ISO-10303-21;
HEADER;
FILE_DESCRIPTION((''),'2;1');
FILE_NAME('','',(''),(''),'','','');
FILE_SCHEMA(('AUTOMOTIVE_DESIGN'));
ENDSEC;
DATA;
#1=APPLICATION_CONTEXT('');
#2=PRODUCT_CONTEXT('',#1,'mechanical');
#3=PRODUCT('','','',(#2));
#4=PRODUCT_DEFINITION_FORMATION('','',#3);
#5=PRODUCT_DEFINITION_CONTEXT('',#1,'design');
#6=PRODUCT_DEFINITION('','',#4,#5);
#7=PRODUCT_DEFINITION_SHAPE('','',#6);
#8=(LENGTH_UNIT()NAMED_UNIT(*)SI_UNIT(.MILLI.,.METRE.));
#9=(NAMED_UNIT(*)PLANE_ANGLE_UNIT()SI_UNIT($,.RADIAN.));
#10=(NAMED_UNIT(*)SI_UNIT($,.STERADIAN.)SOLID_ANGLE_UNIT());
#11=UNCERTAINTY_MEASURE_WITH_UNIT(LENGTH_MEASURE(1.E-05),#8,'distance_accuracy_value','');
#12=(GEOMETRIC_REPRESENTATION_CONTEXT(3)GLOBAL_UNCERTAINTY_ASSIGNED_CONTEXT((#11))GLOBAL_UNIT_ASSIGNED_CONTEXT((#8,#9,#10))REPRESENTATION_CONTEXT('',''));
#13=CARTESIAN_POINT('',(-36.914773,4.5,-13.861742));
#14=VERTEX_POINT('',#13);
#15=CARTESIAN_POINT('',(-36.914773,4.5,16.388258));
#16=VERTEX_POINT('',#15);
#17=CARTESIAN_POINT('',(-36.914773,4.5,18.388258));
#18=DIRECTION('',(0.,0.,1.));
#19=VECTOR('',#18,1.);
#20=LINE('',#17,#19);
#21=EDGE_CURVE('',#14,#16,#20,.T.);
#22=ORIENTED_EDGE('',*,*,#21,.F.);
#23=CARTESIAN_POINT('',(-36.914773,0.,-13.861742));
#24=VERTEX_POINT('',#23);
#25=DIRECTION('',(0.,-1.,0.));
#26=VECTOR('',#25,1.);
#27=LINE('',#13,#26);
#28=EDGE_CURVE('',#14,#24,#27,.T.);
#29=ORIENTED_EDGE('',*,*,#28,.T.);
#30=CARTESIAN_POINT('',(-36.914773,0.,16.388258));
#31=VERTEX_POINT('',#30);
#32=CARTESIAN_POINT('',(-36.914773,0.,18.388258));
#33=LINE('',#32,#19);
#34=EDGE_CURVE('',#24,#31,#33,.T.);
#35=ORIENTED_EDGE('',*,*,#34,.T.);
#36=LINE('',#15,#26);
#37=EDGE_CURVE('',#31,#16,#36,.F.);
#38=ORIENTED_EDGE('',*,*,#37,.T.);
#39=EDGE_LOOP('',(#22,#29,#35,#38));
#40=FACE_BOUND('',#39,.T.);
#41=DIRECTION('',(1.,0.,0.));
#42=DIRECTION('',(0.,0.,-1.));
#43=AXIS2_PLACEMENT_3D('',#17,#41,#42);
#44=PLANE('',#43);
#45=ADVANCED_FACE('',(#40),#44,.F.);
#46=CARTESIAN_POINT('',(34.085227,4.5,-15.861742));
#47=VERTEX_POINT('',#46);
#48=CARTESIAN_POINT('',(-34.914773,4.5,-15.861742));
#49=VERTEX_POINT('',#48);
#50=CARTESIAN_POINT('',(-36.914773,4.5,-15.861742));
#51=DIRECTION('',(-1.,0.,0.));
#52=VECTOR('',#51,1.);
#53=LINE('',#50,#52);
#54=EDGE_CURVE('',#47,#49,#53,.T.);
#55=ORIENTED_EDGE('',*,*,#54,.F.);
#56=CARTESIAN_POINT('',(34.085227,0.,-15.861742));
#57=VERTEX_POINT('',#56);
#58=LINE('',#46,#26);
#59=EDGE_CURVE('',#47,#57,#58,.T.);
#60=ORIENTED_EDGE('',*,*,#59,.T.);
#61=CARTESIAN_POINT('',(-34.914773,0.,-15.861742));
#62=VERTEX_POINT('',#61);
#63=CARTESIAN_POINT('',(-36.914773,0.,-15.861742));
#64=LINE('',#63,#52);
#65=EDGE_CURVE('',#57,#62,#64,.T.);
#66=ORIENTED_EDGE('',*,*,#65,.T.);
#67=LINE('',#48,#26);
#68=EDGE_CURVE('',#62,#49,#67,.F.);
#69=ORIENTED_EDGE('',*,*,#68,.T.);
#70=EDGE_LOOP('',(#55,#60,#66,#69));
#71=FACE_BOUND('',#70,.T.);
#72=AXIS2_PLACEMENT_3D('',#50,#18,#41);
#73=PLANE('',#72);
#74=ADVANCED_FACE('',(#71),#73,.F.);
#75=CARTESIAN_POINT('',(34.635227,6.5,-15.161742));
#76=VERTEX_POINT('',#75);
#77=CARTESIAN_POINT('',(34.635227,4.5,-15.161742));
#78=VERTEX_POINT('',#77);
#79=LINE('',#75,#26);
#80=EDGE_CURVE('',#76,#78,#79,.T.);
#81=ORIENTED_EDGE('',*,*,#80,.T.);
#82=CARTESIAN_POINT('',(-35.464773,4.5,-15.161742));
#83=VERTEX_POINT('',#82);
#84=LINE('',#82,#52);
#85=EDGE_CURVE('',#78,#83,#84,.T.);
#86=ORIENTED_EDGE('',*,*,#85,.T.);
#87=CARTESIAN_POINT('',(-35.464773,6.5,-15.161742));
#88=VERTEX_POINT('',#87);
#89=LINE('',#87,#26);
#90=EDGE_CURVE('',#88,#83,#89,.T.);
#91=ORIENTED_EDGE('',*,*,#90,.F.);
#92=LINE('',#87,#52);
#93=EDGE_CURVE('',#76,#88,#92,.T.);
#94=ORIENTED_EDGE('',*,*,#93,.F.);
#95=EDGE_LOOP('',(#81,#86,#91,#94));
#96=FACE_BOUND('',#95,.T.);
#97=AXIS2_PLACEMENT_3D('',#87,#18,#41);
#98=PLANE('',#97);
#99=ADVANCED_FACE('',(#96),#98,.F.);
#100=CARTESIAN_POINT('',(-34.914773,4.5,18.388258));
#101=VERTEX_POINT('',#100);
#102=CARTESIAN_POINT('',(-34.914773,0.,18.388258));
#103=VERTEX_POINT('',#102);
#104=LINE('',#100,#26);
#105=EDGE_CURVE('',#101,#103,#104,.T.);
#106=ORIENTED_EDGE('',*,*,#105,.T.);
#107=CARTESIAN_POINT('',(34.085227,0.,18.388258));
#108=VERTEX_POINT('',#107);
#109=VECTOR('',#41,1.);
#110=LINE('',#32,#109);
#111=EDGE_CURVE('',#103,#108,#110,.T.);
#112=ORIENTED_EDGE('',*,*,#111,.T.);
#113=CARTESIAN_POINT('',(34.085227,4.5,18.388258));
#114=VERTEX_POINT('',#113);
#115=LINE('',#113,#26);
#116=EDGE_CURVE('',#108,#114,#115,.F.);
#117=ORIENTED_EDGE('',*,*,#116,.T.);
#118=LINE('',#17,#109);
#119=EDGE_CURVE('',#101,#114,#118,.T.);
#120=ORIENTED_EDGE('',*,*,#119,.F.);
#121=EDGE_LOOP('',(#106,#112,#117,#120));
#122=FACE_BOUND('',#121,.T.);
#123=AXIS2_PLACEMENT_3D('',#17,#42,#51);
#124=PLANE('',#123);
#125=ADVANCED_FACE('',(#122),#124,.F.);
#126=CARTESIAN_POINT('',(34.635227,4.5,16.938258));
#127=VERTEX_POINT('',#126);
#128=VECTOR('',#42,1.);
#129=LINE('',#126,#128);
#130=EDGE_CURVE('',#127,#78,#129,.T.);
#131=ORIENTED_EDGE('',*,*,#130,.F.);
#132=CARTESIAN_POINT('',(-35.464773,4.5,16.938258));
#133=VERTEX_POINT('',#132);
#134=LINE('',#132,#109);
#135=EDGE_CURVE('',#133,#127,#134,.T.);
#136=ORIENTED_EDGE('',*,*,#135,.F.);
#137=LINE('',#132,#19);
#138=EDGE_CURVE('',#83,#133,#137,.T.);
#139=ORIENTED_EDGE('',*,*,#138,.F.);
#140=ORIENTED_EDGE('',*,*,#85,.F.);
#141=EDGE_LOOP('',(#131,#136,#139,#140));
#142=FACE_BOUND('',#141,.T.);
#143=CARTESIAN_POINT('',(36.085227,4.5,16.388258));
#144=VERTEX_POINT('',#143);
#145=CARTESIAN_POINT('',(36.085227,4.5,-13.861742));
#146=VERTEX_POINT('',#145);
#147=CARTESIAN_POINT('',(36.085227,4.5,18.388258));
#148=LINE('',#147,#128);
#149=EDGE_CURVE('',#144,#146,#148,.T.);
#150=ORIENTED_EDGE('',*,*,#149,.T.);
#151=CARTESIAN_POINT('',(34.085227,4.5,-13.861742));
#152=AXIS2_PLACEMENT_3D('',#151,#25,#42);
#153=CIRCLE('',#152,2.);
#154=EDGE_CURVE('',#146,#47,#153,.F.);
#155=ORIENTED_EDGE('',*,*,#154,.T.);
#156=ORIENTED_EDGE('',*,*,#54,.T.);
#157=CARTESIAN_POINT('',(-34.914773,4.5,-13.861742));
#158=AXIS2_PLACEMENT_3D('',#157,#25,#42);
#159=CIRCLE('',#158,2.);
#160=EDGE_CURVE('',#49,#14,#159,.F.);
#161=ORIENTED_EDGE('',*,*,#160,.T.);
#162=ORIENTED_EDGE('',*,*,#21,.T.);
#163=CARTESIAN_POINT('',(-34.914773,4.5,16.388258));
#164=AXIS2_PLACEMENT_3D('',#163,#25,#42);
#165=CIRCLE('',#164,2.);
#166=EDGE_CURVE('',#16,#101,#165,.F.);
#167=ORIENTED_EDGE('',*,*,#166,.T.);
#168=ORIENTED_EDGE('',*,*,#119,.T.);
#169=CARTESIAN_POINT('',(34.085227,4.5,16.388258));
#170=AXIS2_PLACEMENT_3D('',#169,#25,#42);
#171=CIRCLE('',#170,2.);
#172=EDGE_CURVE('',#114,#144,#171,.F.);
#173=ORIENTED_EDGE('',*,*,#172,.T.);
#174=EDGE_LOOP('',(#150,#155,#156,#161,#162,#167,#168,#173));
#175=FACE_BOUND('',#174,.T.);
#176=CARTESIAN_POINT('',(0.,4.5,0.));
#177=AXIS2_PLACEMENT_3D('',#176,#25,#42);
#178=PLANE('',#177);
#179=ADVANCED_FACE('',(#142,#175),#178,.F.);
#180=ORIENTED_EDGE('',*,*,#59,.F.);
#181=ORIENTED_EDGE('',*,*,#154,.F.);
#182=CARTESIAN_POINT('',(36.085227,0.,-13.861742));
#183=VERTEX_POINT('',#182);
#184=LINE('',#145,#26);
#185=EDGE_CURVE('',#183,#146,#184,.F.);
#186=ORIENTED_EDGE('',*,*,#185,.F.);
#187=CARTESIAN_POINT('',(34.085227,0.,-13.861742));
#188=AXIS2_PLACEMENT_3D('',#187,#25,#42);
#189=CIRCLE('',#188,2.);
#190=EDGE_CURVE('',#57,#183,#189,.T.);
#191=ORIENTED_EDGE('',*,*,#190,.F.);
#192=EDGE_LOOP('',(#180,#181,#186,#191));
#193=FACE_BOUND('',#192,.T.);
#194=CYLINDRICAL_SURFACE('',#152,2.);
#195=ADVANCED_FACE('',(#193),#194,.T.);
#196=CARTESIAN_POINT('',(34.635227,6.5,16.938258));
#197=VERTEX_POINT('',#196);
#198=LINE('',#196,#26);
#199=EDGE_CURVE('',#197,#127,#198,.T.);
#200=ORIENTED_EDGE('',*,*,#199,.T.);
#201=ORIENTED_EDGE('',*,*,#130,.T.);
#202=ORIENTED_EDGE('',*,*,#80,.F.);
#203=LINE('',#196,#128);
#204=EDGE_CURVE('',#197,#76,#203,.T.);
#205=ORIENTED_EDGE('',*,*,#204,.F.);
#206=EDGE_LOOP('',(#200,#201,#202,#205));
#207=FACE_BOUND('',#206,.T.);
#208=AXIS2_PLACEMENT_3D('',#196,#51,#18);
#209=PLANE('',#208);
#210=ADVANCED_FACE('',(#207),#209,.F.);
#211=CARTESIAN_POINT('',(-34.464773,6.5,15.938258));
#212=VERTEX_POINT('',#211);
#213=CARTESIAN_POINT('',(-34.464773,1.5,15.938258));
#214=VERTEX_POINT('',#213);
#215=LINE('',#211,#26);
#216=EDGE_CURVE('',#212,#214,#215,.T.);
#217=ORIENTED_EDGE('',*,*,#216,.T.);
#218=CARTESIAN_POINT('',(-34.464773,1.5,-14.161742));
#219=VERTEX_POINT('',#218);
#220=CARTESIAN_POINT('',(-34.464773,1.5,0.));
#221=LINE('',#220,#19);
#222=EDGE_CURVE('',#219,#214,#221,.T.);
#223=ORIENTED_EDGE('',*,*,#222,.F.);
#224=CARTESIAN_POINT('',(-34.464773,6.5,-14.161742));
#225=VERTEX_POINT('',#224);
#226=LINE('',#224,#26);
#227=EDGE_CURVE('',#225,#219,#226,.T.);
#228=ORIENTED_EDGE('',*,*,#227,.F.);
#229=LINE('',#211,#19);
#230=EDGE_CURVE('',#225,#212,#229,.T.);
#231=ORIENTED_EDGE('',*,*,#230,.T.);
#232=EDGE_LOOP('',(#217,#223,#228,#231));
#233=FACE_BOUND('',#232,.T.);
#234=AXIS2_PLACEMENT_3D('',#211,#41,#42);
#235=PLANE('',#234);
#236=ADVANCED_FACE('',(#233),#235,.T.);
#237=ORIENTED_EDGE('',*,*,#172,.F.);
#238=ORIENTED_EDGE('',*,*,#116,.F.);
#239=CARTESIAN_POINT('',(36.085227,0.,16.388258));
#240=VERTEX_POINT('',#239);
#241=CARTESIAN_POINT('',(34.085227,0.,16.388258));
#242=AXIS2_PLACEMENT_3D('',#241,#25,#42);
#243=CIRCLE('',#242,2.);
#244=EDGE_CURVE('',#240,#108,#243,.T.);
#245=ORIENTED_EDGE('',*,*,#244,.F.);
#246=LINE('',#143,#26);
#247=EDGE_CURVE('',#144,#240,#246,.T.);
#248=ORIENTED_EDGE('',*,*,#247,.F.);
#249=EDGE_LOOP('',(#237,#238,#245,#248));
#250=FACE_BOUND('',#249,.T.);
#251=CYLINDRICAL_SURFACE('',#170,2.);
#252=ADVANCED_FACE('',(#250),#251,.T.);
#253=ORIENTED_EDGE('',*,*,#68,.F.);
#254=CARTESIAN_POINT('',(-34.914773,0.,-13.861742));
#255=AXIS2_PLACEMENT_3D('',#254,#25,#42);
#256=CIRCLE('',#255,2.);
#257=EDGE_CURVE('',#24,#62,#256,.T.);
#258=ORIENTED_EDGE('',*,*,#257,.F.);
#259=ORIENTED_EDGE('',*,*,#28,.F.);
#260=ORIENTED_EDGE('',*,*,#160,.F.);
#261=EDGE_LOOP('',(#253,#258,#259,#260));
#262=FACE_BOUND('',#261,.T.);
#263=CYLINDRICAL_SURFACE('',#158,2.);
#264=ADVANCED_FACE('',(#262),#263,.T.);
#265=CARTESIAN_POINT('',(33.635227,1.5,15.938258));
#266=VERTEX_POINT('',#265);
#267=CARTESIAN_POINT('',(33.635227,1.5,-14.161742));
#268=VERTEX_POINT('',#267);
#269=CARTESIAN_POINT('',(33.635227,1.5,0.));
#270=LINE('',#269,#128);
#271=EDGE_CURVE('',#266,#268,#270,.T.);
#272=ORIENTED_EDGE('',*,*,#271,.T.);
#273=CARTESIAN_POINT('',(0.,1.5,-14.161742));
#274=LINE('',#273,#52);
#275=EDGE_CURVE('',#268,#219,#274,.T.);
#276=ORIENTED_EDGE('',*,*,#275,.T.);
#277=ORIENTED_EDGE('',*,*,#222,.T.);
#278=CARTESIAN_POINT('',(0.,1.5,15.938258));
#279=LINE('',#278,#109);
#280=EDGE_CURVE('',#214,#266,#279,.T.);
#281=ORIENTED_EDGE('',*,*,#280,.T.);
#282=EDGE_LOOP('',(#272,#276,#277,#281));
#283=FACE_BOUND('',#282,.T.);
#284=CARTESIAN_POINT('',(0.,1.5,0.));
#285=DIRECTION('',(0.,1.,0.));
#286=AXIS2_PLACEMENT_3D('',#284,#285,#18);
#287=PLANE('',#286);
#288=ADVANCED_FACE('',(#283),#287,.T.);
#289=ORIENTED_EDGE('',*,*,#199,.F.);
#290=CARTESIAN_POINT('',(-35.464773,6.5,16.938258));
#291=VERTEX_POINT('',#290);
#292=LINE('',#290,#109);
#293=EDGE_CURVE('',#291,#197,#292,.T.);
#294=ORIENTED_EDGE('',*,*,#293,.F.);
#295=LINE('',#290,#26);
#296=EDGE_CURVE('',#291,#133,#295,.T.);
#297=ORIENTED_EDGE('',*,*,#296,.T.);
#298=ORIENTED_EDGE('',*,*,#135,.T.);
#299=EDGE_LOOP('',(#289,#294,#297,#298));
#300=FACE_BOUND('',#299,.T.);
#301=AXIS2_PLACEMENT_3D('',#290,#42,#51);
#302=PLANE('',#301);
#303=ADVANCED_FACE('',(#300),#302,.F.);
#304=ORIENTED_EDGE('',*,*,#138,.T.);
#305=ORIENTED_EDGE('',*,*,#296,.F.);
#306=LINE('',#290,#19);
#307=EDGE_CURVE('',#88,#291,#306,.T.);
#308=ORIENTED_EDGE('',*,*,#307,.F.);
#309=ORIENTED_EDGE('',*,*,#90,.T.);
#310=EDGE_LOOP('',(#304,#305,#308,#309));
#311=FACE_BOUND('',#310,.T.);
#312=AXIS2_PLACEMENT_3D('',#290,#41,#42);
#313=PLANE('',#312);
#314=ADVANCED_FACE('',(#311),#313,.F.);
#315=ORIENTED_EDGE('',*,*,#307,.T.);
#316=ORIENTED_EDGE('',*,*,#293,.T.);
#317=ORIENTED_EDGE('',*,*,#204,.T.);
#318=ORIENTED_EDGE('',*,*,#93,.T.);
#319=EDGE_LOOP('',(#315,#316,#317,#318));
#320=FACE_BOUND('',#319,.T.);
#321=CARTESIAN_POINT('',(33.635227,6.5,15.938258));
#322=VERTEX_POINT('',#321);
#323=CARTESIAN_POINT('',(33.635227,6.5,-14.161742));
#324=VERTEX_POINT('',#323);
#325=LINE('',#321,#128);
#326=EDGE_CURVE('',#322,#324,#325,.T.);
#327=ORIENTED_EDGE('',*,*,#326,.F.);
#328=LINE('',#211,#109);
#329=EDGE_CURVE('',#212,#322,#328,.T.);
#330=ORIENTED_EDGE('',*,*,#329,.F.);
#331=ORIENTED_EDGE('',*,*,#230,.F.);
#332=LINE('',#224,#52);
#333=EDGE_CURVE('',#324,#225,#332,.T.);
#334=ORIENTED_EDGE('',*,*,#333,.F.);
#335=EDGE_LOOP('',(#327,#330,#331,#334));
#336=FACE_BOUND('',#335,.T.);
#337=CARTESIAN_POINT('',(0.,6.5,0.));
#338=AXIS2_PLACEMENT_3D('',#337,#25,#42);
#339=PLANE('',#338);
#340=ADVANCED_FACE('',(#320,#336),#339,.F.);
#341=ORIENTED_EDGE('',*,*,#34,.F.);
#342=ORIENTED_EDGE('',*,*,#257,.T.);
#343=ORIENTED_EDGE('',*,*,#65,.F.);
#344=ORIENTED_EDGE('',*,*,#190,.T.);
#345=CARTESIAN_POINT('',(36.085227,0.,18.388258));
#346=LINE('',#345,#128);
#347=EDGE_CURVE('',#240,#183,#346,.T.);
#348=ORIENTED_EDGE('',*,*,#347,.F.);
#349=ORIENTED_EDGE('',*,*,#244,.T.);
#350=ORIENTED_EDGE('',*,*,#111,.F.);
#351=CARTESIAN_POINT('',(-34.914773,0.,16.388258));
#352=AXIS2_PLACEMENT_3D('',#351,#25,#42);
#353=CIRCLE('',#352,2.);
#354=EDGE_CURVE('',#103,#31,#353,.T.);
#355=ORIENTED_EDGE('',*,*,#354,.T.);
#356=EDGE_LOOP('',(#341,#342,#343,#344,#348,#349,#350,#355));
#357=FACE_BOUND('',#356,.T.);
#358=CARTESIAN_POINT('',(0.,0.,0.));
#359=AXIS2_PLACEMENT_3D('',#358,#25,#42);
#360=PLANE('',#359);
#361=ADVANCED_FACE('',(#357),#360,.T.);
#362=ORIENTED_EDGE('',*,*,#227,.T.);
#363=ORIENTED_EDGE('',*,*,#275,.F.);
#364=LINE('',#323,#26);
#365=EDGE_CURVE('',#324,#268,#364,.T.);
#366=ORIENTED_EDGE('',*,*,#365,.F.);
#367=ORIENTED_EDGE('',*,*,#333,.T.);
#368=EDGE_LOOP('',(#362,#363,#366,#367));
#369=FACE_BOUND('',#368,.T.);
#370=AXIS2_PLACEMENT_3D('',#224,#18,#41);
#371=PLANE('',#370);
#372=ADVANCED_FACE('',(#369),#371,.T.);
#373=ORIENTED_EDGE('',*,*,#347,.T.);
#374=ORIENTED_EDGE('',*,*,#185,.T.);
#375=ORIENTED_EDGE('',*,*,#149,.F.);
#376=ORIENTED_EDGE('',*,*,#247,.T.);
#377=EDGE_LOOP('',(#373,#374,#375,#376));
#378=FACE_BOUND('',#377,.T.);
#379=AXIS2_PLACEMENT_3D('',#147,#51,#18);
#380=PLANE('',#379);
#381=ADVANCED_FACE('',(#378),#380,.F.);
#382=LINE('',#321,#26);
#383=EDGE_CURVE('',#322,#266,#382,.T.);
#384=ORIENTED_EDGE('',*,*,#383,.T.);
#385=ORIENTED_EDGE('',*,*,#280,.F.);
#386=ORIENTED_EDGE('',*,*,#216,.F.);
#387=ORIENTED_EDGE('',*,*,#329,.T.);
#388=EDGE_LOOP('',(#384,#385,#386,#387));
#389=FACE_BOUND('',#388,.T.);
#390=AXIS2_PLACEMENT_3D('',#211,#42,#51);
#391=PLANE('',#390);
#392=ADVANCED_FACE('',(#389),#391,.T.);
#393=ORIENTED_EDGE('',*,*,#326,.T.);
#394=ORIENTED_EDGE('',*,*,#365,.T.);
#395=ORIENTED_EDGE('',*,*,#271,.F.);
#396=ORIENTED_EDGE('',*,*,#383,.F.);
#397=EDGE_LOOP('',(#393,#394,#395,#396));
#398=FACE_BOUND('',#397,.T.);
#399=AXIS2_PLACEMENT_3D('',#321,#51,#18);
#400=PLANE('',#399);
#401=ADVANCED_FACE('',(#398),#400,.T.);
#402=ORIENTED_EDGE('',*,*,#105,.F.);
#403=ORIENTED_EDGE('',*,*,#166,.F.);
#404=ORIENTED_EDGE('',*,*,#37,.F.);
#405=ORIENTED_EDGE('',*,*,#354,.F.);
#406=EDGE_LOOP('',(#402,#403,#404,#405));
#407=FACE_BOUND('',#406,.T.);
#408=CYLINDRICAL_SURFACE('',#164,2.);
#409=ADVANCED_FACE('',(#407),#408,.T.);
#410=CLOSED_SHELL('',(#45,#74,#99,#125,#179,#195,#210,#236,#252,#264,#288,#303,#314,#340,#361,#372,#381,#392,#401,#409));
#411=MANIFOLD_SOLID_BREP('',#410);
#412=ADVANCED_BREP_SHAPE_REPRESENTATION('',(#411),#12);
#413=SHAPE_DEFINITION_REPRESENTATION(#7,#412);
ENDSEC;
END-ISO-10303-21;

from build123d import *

# Parameters (mm, degrees)
SKETCH1_W           = 73
SKETCH1_H           = 34.25
BOSS_EXTRUDE1_DEPTH = 4.5
FILLET1_R           = 2
SKETCH2_W           = 70.1
SKETCH2_H           = 32.1
SKETCH2_W_2         = 68.1
SKETCH2_H_2         = 30.1
BOSS_EXTRUDE2_DEPTH = 2
SKETCH3_W           = 68.1
SKETCH3_H           = 30.1
CUT_EXTRUDE1_DEPTH  = 3


with BuildPart() as part:
    # Sketch1 → Boss-Extrude1 (new body)
    with BuildSketch(Plane(origin=(0, 0, 0), x_dir=(1, 0, 0), z_dir=(0, 1, 0))):
        with Locations((-0.414772727, -1.263257576)):
            Rectangle(SKETCH1_W, SKETCH1_H)
    extrude(amount=BOSS_EXTRUDE1_DEPTH)

    # Fillet1
    fillet1_edges = [part.edges().sort_by_distance(p)[0] for p in [
        (-36.914772727, 2.25, -15.861742424),
        (36.085227273, 2.25, -15.861742424),
        (36.085227273, 2.25, 18.388257576),
        (-36.914772727, 2.25, 18.388257576),
    ]]
    fillet(fillet1_edges, radius=FILLET1_R)

    # Sketch2 → Boss-Extrude2 (add)
    with BuildSketch(Plane(origin=(0, 4.5, 0), x_dir=(1, 0, 0), z_dir=(0, 1, 0))):
        with Locations((-0.414772727, -0.888257576)):
            Rectangle(SKETCH2_W, SKETCH2_H)
        with Locations((-0.414772727, -0.888257576)):
            Rectangle(SKETCH2_W_2, SKETCH2_H_2, mode=Mode.SUBTRACT)
    extrude(amount=BOSS_EXTRUDE2_DEPTH)

    # Sketch3 → Cut-Extrude1 (cut)
    with BuildSketch(Plane(origin=(0, 4.5, 0), x_dir=(1, 0, 0), z_dir=(0, 1, 0))):
        with Locations((-0.414772727, -0.888257576)):
            Rectangle(SKETCH3_W, SKETCH3_H)
    extrude(amount=-CUT_EXTRUDE1_DEPTH, mode=Mode.SUBTRACT)


solid = part.part
